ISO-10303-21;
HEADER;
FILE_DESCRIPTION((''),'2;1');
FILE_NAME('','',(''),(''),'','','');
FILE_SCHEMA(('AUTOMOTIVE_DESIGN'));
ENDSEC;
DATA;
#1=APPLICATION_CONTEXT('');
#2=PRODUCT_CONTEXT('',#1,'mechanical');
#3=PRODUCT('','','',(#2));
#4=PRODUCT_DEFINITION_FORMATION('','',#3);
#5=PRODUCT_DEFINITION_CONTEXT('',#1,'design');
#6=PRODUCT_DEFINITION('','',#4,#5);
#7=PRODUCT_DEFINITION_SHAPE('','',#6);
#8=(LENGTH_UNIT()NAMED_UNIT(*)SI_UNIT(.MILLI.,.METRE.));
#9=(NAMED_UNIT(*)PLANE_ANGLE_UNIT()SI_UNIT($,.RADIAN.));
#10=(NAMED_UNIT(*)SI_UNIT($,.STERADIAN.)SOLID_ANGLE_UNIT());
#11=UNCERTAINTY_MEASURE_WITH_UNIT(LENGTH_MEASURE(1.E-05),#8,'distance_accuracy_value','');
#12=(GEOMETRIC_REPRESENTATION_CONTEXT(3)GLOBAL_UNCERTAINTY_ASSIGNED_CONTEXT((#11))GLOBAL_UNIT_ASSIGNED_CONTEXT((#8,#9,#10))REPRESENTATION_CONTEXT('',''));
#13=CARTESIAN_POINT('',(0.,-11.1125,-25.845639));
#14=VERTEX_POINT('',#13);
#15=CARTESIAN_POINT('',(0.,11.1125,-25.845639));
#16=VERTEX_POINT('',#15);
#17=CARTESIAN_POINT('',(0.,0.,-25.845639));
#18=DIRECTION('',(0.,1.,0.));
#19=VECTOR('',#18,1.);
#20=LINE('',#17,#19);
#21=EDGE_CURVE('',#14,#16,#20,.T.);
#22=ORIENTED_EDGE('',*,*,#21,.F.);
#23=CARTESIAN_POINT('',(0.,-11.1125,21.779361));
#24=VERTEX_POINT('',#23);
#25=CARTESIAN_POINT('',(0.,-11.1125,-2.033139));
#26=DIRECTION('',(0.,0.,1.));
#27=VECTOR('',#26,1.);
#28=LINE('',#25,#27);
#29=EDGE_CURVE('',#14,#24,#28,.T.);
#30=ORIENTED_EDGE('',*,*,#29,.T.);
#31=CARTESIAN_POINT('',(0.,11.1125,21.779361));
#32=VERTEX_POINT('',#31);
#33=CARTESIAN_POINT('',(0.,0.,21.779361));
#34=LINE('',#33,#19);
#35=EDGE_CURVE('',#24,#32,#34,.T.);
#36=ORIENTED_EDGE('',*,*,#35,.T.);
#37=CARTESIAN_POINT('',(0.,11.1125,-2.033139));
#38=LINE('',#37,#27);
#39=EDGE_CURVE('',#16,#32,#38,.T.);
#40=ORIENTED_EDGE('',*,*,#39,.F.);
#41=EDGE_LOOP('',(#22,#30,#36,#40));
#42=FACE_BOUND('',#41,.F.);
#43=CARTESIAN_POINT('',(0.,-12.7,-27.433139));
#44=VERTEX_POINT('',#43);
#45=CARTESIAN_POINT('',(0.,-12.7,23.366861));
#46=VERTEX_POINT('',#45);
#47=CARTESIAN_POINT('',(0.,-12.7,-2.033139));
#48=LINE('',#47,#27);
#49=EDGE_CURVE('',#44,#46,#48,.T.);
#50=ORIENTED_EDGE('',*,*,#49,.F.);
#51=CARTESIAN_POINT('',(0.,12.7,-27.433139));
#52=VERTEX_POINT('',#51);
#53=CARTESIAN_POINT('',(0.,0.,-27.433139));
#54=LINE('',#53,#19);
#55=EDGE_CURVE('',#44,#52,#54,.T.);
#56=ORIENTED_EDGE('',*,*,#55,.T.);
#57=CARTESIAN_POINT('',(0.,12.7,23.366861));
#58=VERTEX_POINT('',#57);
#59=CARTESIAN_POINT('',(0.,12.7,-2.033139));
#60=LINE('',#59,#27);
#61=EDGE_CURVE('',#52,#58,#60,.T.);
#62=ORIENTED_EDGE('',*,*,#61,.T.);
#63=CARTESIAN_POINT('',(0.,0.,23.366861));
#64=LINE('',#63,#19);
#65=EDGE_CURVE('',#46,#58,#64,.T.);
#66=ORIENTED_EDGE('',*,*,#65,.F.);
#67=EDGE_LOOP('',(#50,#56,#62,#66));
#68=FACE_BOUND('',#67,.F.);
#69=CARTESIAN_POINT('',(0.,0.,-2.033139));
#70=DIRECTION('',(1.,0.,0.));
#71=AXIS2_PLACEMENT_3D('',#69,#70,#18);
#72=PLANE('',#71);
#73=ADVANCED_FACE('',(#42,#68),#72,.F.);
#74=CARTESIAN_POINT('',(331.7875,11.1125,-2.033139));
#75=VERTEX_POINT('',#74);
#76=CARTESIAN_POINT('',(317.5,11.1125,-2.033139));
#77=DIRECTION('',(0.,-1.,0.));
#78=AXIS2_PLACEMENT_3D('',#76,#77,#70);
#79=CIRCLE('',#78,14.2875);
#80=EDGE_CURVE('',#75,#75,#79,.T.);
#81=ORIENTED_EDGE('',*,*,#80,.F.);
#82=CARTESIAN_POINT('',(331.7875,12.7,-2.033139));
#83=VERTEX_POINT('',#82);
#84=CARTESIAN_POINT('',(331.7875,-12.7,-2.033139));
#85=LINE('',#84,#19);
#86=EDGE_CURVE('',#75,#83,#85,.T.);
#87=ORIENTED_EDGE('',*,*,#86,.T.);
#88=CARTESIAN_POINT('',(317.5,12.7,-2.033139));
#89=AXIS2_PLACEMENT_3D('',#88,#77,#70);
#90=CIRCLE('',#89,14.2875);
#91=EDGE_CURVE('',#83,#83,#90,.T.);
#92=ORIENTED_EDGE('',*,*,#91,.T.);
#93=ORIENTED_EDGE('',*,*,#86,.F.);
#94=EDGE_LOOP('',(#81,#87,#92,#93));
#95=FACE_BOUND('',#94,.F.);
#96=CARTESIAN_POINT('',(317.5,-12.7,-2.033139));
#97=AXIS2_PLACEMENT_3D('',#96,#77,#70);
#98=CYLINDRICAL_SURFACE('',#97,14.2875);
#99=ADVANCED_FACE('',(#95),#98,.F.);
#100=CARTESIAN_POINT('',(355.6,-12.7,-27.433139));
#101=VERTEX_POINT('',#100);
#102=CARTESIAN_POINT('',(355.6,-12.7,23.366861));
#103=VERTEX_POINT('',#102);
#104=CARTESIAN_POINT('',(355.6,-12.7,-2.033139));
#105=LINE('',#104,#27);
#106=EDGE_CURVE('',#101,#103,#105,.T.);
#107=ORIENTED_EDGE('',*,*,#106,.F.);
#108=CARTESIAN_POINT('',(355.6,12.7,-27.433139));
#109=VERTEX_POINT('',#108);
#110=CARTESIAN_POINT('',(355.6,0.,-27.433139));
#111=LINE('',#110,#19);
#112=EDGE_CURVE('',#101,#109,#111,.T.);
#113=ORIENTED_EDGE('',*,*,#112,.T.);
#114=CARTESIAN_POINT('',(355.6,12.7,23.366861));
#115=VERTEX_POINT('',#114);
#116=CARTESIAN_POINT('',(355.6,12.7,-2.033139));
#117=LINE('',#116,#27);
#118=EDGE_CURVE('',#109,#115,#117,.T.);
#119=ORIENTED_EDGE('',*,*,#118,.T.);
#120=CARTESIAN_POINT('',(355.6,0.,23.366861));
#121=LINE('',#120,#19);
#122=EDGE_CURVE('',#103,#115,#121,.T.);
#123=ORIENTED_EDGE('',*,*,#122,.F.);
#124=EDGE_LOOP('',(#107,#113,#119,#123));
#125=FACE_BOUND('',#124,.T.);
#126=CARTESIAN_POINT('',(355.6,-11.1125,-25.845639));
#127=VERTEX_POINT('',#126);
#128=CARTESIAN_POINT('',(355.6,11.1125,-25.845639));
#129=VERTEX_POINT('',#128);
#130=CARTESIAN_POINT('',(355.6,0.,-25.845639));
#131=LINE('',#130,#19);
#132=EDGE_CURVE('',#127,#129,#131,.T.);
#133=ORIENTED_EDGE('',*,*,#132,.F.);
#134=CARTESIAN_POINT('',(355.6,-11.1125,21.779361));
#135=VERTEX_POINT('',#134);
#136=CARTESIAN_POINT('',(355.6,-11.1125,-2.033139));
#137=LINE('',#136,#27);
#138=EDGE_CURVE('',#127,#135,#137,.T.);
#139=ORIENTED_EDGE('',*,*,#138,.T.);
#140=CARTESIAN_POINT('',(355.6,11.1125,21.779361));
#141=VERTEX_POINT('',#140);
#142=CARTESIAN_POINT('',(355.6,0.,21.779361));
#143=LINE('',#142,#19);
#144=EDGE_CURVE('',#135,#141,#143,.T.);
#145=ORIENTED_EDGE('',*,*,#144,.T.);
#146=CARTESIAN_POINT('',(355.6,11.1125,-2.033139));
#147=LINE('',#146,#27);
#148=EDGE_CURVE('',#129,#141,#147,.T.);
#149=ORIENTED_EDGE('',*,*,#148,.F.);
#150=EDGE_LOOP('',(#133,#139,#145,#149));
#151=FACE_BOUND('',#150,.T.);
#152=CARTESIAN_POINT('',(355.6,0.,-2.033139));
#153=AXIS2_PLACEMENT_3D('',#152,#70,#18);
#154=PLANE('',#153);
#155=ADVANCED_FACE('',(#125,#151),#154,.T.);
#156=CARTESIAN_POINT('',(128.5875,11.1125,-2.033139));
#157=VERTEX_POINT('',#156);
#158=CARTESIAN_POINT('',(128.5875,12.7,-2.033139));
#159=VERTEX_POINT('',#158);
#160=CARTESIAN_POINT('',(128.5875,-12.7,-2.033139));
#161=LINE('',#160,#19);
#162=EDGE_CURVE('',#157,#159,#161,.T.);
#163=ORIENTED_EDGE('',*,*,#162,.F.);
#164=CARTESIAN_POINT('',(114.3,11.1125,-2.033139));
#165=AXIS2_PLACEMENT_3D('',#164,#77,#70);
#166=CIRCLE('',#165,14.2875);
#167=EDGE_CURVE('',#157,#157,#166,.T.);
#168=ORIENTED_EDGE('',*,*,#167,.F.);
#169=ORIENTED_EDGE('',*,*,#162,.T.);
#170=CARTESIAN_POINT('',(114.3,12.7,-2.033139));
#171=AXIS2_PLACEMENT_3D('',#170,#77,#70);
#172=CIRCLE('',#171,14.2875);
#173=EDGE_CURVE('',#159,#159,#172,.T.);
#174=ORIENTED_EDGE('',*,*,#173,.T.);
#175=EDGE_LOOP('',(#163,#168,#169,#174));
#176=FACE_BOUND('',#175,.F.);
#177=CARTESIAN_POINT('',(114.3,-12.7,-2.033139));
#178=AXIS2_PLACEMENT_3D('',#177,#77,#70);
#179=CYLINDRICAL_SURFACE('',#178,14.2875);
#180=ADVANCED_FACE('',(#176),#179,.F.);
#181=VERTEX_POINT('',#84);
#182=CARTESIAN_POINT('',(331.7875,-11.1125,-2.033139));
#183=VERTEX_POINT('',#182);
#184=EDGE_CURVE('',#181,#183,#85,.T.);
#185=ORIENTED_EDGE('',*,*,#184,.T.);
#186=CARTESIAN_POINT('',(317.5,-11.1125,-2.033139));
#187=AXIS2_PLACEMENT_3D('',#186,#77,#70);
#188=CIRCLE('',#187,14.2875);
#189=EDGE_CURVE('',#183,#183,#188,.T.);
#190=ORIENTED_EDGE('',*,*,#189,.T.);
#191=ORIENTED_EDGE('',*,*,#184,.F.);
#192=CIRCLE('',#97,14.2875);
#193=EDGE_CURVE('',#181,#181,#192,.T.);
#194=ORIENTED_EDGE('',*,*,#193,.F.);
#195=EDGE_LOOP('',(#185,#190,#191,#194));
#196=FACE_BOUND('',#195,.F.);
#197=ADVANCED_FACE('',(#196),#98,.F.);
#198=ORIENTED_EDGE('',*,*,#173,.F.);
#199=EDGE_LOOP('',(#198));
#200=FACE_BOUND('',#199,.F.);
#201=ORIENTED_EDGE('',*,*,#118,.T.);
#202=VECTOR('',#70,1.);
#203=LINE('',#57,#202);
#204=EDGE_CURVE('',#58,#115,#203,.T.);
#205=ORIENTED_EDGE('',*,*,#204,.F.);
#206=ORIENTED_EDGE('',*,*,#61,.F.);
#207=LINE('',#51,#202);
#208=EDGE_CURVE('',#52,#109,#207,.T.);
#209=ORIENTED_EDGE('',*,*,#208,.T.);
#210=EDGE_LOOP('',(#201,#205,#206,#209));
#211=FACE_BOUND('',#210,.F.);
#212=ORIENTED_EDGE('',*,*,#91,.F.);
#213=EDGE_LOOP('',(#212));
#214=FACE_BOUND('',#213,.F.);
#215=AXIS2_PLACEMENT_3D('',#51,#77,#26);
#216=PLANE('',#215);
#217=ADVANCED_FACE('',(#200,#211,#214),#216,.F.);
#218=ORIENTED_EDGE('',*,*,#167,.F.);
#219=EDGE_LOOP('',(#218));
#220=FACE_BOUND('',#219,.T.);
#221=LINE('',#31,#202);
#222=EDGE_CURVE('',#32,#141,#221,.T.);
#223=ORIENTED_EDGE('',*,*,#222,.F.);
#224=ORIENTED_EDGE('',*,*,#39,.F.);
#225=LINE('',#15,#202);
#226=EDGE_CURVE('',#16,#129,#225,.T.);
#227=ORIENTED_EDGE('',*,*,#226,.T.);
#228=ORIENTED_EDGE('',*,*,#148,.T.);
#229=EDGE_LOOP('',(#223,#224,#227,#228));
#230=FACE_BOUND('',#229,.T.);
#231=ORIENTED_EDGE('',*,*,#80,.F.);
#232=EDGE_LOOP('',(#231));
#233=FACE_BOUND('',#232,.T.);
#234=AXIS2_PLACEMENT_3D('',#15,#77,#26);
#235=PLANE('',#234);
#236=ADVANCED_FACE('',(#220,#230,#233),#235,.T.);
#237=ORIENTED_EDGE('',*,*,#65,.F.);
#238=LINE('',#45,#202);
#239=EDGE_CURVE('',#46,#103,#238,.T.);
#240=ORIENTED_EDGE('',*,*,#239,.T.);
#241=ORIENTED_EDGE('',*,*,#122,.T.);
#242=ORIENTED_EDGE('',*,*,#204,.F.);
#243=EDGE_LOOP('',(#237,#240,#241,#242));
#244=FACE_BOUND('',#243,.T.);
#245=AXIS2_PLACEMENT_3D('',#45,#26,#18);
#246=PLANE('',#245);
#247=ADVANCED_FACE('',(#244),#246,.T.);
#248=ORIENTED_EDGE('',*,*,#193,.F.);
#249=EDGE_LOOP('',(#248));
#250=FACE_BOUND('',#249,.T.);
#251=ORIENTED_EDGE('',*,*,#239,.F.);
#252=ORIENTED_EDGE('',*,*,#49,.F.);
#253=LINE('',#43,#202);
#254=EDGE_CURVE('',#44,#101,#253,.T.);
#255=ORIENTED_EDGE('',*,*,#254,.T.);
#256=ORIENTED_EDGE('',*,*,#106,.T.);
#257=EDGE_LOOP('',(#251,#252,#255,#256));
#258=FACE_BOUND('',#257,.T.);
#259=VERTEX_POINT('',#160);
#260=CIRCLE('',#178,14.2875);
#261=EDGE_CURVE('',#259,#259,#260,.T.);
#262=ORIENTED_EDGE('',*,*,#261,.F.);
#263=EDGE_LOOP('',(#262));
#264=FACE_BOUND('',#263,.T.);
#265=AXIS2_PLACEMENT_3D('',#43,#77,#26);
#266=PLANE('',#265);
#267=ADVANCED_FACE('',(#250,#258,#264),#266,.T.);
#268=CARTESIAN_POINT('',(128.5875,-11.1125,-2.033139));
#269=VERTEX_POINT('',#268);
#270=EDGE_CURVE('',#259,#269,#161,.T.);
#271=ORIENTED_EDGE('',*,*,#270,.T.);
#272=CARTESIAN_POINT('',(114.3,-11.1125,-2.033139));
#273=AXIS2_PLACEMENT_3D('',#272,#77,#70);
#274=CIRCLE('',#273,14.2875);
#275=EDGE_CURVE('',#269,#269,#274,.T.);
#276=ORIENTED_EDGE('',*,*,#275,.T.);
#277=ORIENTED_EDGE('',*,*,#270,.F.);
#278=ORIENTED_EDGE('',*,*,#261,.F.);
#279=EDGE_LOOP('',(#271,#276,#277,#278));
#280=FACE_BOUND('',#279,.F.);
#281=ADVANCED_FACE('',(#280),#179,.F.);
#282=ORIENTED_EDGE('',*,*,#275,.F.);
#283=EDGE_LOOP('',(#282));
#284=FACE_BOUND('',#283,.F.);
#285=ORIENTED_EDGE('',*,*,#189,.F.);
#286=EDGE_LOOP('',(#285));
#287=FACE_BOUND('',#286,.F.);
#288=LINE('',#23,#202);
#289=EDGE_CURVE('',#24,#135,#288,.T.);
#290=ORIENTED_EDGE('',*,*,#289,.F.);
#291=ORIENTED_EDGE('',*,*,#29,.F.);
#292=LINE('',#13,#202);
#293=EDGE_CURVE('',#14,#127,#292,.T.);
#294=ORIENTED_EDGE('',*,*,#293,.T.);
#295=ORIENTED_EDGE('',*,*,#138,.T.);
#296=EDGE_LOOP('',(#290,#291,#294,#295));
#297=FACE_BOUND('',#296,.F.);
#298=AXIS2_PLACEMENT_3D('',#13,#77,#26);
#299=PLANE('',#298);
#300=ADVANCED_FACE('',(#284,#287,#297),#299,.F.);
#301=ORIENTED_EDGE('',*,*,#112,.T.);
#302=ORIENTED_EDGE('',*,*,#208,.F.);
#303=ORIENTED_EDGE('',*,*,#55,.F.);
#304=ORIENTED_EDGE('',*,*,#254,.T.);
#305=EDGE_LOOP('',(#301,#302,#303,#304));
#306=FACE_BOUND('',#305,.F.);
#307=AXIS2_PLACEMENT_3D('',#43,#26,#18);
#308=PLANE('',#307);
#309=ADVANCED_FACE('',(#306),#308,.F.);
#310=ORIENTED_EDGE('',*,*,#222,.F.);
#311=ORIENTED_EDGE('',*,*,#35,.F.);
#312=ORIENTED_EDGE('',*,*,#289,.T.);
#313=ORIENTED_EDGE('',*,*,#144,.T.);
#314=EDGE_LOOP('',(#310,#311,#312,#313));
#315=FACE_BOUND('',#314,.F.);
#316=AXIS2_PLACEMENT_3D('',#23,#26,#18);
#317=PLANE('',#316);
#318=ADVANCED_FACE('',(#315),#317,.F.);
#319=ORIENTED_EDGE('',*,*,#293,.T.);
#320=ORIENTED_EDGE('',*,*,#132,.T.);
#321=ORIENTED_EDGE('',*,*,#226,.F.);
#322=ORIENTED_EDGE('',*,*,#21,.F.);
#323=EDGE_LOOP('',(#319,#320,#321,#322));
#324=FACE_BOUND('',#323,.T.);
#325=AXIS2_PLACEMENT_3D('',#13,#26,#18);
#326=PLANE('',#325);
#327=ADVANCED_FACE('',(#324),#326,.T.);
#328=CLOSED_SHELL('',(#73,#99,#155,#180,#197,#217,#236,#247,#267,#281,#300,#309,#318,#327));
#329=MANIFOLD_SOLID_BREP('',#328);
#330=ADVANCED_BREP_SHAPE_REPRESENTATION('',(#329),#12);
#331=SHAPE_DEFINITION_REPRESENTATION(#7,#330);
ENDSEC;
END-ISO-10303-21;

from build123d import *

# Parameters (mm, degrees)
F0_W     = 25.4
F0_H     = 50.8
F0_W_2   = 22.225
F0_H_2   = 47.625
F1_DEPTH = 355.6
F2_R     = 14.2875
F3_DEPTH = 25.4


with BuildPart() as f1:
    # F0 (on Right) → F1 (new body)
    with BuildSketch(Plane.YZ):
        with Locations((0, -2.033139)):
            Rectangle(F0_W, F0_H)
        with Locations((0, -2.033139)):
            Rectangle(F0_W_2, F0_H_2, mode=Mode.SUBTRACT)
    extrude(amount=F1_DEPTH)

    # F2 (on face) → F3 (cut)
    with BuildSketch(Plane.XZ.offset(12.7)):
        with Locations((114.3, -2.033139)):
            Circle(F2_R)
        with Locations((317.5, -2.033139)):
            Circle(F2_R)
    extrude(amount=-F3_DEPTH, mode=Mode.SUBTRACT)


solid = f1.part
